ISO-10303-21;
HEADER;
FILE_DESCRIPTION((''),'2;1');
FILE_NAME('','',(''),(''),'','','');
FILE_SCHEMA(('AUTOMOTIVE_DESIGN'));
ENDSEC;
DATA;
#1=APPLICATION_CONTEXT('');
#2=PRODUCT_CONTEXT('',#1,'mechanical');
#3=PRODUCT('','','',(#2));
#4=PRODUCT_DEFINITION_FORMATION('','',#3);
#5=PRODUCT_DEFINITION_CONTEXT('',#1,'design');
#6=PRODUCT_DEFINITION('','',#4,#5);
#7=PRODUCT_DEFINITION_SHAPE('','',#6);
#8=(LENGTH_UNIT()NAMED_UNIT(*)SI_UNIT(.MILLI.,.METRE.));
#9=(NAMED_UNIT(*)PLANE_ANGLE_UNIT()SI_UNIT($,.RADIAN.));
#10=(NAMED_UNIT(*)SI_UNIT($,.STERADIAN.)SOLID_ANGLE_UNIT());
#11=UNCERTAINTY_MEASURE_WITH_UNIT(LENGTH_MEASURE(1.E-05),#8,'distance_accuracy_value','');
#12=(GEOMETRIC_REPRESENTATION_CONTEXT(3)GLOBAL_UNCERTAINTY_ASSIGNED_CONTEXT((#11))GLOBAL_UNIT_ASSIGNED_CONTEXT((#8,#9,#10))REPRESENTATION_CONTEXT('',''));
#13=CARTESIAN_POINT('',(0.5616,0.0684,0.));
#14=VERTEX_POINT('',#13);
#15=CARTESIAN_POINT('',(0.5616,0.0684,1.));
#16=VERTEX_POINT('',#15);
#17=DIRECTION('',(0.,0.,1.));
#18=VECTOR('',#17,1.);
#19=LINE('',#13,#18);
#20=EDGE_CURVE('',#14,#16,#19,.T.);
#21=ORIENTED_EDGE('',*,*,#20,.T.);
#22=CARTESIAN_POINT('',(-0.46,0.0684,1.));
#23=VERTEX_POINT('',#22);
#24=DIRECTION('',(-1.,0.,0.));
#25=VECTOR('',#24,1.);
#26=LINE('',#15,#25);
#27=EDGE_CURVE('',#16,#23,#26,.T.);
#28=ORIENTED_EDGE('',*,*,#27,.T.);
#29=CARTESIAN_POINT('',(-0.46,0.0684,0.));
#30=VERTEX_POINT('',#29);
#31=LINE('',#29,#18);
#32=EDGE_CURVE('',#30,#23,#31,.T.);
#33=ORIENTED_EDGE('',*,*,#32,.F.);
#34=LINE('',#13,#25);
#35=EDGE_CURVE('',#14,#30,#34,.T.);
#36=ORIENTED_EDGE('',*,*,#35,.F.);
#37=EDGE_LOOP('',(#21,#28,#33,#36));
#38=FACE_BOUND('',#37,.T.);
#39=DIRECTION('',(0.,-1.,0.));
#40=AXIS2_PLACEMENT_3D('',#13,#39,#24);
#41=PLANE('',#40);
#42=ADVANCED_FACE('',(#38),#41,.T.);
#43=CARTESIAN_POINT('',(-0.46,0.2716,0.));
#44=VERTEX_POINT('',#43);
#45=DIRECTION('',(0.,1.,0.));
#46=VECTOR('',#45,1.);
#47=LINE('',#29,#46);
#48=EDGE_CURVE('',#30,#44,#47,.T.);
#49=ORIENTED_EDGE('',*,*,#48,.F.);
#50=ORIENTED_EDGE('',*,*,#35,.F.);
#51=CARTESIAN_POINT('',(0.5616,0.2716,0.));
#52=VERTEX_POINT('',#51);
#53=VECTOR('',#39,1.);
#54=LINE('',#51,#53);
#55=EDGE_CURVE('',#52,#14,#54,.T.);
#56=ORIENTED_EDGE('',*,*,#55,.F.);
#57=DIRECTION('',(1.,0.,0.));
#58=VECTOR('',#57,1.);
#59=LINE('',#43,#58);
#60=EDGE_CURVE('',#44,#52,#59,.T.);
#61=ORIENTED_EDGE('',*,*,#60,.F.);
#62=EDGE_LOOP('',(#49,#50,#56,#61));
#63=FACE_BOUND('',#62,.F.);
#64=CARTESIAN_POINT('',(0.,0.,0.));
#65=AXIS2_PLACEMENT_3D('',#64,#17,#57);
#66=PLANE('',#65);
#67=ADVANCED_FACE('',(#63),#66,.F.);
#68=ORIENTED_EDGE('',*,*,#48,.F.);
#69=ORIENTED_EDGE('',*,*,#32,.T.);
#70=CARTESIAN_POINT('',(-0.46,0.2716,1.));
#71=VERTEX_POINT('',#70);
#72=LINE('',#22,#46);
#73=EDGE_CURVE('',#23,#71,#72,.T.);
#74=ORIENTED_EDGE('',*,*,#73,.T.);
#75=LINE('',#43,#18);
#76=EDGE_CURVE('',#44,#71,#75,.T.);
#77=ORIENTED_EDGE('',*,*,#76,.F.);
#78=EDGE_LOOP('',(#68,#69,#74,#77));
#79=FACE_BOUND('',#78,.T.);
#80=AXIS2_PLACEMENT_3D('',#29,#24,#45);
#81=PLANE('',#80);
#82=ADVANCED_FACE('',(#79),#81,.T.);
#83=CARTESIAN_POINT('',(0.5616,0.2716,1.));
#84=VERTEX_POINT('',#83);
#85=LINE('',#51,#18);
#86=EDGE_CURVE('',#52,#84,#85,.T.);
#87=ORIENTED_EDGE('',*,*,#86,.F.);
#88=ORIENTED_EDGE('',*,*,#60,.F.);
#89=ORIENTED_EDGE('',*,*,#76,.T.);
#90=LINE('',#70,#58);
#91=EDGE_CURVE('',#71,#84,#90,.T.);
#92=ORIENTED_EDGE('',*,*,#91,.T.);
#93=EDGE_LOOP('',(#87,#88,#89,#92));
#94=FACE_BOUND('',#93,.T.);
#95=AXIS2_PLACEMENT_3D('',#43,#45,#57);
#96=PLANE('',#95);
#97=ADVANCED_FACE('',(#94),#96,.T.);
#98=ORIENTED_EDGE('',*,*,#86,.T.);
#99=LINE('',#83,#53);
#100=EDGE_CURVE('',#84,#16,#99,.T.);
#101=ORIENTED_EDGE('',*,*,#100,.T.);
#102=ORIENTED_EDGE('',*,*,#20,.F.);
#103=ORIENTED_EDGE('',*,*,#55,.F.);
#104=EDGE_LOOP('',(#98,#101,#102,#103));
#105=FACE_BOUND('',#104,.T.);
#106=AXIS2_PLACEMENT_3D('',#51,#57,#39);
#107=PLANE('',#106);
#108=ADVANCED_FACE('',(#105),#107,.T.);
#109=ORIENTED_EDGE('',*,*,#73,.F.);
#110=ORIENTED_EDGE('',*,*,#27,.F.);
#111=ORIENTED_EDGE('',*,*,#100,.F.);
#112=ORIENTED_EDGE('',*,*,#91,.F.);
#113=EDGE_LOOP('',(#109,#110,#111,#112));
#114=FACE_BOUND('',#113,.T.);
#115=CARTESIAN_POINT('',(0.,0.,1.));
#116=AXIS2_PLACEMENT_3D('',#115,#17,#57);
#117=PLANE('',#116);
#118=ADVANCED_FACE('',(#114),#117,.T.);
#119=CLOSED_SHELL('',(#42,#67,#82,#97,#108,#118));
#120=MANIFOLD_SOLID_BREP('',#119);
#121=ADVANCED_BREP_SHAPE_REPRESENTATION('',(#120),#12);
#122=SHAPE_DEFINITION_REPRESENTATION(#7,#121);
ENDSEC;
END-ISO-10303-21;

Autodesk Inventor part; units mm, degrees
ref_plane "YZ Plane" through (0, 0, 0) normal (1, 0, 0) x (0, 1, 0)
ref_plane "XZ Plane" through (0, 0, 0) normal (0, 1, 0) x (-1, 0, 0)
ref_plane "XY Plane" through (0, 0, 0) normal (0, 0, 1) x (1, 0, 0)
sketch "LED-0603, RED_37" plane through (0, 0, 0) normal (0, 0, 1) x (1, 0, 0)
  line L0 (-0.46, 0.2716) -> (0.5616, 0.2716)
  line L1 (0.5616, 0.2716) -> (0.5616, 0.0684)
  line L2 (0.5616, 0.0684) -> (-0.46, 0.0684)
  line L3 (-0.46, 0.0684) -> (-0.46, 0.2716)
extrude "Extrusion1" add sketch "LED-0603, RED_37" along normal blind 1
properties part number "RED"
